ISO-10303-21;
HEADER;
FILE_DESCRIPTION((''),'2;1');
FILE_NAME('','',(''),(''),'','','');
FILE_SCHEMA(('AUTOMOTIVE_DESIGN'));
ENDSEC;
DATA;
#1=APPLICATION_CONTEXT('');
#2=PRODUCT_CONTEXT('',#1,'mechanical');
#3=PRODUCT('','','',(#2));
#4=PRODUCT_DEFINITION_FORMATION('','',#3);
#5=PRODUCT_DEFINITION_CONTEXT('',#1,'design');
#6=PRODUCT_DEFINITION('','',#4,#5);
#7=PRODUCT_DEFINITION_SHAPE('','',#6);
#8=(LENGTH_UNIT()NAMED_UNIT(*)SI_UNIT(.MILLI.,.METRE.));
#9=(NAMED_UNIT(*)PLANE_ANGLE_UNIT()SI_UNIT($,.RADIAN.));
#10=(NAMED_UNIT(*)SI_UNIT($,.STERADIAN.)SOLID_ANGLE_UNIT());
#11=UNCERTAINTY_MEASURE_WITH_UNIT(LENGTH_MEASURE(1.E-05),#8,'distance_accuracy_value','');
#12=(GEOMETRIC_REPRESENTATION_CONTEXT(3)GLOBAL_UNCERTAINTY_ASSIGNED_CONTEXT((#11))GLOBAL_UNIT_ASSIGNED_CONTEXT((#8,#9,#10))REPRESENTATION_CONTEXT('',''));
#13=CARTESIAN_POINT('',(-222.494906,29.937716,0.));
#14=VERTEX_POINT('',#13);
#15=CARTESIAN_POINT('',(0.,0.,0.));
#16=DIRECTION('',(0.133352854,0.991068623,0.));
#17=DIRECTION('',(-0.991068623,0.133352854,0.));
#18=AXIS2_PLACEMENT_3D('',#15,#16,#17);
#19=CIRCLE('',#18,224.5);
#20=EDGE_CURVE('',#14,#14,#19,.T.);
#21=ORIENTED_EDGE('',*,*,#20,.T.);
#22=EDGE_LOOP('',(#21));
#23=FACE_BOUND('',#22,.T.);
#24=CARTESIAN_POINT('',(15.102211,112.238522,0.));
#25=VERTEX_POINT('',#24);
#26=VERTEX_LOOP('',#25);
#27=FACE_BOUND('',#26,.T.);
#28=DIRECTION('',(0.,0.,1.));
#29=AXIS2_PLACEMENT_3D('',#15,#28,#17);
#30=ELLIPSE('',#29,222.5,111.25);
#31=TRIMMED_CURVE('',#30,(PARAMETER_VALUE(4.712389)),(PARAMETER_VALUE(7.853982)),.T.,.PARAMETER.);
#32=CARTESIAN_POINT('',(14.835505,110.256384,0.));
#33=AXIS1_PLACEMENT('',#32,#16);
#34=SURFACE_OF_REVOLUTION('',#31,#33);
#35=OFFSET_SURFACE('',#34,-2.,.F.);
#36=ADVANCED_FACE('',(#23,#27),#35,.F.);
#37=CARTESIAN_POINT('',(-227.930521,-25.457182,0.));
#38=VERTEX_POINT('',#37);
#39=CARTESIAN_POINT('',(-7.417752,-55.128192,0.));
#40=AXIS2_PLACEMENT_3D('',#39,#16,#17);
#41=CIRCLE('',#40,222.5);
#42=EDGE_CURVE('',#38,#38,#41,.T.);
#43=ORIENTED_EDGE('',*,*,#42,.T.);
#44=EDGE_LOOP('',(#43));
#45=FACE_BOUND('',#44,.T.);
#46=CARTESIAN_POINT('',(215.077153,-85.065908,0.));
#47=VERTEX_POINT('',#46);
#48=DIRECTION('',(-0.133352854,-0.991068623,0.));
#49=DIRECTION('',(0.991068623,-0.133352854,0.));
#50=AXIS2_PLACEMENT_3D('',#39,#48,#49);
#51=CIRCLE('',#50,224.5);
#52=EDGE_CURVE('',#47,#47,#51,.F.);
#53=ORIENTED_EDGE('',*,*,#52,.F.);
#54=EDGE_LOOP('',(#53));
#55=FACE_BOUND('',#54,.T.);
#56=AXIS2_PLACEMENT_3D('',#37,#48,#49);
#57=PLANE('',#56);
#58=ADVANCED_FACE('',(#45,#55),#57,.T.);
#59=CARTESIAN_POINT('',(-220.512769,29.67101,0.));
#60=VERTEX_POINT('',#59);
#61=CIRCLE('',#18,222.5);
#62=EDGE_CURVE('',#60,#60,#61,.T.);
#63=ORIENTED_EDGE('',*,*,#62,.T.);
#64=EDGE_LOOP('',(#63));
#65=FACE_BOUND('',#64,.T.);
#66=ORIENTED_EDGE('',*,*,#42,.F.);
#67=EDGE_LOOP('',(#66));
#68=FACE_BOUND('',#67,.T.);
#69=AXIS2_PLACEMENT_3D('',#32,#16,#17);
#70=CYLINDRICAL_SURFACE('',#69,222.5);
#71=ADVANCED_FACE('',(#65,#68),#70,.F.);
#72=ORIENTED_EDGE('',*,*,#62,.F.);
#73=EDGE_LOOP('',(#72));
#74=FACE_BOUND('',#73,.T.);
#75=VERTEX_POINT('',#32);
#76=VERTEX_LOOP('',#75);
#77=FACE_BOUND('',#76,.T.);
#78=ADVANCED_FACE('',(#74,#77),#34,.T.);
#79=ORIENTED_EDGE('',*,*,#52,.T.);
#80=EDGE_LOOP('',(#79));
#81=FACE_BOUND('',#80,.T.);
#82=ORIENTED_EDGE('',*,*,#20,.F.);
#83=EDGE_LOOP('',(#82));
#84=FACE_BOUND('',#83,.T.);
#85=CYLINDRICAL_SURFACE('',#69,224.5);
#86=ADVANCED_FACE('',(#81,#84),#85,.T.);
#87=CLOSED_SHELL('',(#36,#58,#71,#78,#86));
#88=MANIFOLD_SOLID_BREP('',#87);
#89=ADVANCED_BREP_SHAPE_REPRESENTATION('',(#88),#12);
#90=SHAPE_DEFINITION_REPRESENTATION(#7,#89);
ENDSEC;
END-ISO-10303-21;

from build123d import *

# Parameters (mm, degrees)
SHELL_1_T = 2


with BuildPart() as part:
    # Эскиз1 → Повернуть1 (revolve)
    with BuildSketch(Plane.XY):
        with BuildLine():
            Line((-227.930521212, -25.457182187), (-7.417752498, -55.128192179))
            Line((-7.417752498, -55.128192179), (0, 0))
            Line((0, 0), (14.835504996, 110.256384357))
            add(Edge.make_bspline(
                [(14.835504996, 110.256384357), (-205.677263719, 139.927394349), (-220.512768714, 29.671009991)],
                knots=[4.71238898, 4.71238898, 4.71238898, 6.283185307, 6.283185307, 6.283185307], degree=2, weights=[1, 0.707106781, 1]))
            Line((-220.512768714, 29.671009991), (-227.930521212, -25.457182187))
        make_face()
    revolve(axis=Axis((14.835504996, 110.256384357, 0), (-0.13335285389374607, -0.9910686234355285, 0)))

    # Оболочка1
    shell_1_openings = [part.faces().sort_by_distance(p)[0] for p in [
        (-7.417752498, -55.128192179, 0),
    ]]
    offset(amount=SHELL_1_T, openings=shell_1_openings, kind=Kind.INTERSECTION)


solid = part.part
